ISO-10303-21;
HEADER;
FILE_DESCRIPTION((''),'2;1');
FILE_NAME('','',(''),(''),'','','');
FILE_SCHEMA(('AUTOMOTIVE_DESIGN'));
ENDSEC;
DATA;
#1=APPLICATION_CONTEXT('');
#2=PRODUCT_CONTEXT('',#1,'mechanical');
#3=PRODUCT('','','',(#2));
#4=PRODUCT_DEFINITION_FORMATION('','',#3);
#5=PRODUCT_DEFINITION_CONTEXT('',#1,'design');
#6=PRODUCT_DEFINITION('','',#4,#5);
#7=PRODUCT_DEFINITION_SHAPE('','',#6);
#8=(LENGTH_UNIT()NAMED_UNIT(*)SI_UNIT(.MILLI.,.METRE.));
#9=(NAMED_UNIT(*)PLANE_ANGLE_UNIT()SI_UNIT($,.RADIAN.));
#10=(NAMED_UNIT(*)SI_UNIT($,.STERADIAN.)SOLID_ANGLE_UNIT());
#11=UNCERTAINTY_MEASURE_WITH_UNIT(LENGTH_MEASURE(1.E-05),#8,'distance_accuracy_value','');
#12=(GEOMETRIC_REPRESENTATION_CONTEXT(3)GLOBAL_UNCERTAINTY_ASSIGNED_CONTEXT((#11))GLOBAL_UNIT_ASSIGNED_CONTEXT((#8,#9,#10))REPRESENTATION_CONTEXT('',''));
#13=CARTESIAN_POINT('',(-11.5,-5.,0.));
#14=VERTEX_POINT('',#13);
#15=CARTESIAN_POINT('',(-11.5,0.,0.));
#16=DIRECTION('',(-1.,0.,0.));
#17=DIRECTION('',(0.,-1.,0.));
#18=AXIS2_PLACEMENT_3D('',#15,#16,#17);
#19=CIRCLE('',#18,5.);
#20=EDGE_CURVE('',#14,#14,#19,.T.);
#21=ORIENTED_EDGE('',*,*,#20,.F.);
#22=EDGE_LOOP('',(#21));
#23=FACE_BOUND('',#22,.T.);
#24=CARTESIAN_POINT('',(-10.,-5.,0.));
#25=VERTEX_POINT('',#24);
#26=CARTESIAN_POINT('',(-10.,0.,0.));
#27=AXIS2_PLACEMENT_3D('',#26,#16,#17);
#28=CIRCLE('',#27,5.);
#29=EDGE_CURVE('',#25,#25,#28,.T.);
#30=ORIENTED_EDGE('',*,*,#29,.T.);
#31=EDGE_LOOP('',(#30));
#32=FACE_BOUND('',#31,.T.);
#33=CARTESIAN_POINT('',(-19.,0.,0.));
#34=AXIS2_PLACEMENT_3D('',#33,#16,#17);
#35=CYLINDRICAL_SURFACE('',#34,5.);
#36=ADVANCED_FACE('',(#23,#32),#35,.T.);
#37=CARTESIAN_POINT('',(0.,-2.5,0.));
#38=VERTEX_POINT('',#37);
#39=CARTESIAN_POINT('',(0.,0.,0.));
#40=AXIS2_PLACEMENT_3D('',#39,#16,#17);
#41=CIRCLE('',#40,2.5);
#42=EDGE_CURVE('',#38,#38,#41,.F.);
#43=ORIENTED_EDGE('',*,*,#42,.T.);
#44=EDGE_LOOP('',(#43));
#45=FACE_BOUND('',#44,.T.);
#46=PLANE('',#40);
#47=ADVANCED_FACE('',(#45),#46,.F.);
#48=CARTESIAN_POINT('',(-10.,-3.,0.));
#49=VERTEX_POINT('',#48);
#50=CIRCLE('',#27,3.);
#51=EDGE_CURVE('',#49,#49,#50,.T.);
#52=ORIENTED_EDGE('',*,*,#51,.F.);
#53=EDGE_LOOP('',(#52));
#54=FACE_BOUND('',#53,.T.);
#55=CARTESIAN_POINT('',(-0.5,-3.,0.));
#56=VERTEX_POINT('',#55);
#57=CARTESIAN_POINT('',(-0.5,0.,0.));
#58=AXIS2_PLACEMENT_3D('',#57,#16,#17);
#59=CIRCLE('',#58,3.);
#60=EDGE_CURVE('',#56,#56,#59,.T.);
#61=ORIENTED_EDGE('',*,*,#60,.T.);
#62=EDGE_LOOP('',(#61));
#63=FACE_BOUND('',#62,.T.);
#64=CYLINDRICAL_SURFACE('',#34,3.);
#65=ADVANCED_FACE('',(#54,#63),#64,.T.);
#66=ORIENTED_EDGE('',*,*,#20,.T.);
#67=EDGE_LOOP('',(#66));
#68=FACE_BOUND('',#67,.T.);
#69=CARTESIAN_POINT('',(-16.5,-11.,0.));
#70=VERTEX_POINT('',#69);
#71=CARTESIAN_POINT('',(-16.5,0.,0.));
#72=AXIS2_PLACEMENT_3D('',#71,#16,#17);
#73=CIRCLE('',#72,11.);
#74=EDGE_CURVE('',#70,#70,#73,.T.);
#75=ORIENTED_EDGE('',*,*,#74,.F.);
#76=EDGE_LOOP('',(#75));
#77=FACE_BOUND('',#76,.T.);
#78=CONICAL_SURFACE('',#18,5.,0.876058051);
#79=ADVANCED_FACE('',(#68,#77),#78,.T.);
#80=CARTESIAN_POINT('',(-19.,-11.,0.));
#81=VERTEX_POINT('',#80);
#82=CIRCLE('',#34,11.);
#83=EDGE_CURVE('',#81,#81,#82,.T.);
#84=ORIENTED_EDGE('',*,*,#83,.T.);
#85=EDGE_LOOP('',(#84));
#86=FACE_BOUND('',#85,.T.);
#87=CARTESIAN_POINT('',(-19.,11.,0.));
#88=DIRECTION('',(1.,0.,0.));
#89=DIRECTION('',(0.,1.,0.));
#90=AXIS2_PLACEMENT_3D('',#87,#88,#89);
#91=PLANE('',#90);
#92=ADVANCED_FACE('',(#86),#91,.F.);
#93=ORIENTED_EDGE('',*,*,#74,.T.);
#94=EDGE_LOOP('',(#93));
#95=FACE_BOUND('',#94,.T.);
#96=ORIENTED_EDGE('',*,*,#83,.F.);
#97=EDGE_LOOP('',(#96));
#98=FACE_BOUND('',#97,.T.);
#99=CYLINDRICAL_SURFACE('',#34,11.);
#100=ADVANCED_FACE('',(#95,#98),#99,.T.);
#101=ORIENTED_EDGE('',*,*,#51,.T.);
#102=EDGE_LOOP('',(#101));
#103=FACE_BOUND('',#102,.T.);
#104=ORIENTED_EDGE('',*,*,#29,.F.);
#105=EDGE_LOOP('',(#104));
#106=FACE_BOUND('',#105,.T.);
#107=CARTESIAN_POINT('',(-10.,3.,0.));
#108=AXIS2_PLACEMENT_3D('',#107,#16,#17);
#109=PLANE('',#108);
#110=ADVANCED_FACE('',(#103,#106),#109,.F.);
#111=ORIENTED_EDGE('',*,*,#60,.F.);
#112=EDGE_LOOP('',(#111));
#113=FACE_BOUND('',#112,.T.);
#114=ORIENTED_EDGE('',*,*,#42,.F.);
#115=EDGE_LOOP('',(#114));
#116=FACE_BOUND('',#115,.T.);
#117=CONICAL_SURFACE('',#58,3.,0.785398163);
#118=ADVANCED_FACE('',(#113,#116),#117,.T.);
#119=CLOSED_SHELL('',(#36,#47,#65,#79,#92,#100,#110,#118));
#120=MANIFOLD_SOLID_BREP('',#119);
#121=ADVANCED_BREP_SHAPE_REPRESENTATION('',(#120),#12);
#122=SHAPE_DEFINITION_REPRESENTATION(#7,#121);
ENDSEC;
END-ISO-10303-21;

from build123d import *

# Parameters (mm, degrees)
CHAMFER1_SIZE = 0.5


with BuildPart() as part:
    # Sketch1 → Revolve1 (revolve)
    with BuildSketch(Plane.XY):
        Polygon((0, 0), (0, 3), (-10, 3), (-10, 5), (-11.5, 5), (-16.5, 11), (-19, 11), (-19, 0), align=None)
    revolve(axis=Axis((-19, 0, 0), (1, 0, 0)))

    # Chamfer1
    chamfer1_edges = [part.edges().sort_by_distance(p)[0] for p in [
        (0, -3, 0),
    ]]
    chamfer(chamfer1_edges, length=CHAMFER1_SIZE)


solid = part.part
